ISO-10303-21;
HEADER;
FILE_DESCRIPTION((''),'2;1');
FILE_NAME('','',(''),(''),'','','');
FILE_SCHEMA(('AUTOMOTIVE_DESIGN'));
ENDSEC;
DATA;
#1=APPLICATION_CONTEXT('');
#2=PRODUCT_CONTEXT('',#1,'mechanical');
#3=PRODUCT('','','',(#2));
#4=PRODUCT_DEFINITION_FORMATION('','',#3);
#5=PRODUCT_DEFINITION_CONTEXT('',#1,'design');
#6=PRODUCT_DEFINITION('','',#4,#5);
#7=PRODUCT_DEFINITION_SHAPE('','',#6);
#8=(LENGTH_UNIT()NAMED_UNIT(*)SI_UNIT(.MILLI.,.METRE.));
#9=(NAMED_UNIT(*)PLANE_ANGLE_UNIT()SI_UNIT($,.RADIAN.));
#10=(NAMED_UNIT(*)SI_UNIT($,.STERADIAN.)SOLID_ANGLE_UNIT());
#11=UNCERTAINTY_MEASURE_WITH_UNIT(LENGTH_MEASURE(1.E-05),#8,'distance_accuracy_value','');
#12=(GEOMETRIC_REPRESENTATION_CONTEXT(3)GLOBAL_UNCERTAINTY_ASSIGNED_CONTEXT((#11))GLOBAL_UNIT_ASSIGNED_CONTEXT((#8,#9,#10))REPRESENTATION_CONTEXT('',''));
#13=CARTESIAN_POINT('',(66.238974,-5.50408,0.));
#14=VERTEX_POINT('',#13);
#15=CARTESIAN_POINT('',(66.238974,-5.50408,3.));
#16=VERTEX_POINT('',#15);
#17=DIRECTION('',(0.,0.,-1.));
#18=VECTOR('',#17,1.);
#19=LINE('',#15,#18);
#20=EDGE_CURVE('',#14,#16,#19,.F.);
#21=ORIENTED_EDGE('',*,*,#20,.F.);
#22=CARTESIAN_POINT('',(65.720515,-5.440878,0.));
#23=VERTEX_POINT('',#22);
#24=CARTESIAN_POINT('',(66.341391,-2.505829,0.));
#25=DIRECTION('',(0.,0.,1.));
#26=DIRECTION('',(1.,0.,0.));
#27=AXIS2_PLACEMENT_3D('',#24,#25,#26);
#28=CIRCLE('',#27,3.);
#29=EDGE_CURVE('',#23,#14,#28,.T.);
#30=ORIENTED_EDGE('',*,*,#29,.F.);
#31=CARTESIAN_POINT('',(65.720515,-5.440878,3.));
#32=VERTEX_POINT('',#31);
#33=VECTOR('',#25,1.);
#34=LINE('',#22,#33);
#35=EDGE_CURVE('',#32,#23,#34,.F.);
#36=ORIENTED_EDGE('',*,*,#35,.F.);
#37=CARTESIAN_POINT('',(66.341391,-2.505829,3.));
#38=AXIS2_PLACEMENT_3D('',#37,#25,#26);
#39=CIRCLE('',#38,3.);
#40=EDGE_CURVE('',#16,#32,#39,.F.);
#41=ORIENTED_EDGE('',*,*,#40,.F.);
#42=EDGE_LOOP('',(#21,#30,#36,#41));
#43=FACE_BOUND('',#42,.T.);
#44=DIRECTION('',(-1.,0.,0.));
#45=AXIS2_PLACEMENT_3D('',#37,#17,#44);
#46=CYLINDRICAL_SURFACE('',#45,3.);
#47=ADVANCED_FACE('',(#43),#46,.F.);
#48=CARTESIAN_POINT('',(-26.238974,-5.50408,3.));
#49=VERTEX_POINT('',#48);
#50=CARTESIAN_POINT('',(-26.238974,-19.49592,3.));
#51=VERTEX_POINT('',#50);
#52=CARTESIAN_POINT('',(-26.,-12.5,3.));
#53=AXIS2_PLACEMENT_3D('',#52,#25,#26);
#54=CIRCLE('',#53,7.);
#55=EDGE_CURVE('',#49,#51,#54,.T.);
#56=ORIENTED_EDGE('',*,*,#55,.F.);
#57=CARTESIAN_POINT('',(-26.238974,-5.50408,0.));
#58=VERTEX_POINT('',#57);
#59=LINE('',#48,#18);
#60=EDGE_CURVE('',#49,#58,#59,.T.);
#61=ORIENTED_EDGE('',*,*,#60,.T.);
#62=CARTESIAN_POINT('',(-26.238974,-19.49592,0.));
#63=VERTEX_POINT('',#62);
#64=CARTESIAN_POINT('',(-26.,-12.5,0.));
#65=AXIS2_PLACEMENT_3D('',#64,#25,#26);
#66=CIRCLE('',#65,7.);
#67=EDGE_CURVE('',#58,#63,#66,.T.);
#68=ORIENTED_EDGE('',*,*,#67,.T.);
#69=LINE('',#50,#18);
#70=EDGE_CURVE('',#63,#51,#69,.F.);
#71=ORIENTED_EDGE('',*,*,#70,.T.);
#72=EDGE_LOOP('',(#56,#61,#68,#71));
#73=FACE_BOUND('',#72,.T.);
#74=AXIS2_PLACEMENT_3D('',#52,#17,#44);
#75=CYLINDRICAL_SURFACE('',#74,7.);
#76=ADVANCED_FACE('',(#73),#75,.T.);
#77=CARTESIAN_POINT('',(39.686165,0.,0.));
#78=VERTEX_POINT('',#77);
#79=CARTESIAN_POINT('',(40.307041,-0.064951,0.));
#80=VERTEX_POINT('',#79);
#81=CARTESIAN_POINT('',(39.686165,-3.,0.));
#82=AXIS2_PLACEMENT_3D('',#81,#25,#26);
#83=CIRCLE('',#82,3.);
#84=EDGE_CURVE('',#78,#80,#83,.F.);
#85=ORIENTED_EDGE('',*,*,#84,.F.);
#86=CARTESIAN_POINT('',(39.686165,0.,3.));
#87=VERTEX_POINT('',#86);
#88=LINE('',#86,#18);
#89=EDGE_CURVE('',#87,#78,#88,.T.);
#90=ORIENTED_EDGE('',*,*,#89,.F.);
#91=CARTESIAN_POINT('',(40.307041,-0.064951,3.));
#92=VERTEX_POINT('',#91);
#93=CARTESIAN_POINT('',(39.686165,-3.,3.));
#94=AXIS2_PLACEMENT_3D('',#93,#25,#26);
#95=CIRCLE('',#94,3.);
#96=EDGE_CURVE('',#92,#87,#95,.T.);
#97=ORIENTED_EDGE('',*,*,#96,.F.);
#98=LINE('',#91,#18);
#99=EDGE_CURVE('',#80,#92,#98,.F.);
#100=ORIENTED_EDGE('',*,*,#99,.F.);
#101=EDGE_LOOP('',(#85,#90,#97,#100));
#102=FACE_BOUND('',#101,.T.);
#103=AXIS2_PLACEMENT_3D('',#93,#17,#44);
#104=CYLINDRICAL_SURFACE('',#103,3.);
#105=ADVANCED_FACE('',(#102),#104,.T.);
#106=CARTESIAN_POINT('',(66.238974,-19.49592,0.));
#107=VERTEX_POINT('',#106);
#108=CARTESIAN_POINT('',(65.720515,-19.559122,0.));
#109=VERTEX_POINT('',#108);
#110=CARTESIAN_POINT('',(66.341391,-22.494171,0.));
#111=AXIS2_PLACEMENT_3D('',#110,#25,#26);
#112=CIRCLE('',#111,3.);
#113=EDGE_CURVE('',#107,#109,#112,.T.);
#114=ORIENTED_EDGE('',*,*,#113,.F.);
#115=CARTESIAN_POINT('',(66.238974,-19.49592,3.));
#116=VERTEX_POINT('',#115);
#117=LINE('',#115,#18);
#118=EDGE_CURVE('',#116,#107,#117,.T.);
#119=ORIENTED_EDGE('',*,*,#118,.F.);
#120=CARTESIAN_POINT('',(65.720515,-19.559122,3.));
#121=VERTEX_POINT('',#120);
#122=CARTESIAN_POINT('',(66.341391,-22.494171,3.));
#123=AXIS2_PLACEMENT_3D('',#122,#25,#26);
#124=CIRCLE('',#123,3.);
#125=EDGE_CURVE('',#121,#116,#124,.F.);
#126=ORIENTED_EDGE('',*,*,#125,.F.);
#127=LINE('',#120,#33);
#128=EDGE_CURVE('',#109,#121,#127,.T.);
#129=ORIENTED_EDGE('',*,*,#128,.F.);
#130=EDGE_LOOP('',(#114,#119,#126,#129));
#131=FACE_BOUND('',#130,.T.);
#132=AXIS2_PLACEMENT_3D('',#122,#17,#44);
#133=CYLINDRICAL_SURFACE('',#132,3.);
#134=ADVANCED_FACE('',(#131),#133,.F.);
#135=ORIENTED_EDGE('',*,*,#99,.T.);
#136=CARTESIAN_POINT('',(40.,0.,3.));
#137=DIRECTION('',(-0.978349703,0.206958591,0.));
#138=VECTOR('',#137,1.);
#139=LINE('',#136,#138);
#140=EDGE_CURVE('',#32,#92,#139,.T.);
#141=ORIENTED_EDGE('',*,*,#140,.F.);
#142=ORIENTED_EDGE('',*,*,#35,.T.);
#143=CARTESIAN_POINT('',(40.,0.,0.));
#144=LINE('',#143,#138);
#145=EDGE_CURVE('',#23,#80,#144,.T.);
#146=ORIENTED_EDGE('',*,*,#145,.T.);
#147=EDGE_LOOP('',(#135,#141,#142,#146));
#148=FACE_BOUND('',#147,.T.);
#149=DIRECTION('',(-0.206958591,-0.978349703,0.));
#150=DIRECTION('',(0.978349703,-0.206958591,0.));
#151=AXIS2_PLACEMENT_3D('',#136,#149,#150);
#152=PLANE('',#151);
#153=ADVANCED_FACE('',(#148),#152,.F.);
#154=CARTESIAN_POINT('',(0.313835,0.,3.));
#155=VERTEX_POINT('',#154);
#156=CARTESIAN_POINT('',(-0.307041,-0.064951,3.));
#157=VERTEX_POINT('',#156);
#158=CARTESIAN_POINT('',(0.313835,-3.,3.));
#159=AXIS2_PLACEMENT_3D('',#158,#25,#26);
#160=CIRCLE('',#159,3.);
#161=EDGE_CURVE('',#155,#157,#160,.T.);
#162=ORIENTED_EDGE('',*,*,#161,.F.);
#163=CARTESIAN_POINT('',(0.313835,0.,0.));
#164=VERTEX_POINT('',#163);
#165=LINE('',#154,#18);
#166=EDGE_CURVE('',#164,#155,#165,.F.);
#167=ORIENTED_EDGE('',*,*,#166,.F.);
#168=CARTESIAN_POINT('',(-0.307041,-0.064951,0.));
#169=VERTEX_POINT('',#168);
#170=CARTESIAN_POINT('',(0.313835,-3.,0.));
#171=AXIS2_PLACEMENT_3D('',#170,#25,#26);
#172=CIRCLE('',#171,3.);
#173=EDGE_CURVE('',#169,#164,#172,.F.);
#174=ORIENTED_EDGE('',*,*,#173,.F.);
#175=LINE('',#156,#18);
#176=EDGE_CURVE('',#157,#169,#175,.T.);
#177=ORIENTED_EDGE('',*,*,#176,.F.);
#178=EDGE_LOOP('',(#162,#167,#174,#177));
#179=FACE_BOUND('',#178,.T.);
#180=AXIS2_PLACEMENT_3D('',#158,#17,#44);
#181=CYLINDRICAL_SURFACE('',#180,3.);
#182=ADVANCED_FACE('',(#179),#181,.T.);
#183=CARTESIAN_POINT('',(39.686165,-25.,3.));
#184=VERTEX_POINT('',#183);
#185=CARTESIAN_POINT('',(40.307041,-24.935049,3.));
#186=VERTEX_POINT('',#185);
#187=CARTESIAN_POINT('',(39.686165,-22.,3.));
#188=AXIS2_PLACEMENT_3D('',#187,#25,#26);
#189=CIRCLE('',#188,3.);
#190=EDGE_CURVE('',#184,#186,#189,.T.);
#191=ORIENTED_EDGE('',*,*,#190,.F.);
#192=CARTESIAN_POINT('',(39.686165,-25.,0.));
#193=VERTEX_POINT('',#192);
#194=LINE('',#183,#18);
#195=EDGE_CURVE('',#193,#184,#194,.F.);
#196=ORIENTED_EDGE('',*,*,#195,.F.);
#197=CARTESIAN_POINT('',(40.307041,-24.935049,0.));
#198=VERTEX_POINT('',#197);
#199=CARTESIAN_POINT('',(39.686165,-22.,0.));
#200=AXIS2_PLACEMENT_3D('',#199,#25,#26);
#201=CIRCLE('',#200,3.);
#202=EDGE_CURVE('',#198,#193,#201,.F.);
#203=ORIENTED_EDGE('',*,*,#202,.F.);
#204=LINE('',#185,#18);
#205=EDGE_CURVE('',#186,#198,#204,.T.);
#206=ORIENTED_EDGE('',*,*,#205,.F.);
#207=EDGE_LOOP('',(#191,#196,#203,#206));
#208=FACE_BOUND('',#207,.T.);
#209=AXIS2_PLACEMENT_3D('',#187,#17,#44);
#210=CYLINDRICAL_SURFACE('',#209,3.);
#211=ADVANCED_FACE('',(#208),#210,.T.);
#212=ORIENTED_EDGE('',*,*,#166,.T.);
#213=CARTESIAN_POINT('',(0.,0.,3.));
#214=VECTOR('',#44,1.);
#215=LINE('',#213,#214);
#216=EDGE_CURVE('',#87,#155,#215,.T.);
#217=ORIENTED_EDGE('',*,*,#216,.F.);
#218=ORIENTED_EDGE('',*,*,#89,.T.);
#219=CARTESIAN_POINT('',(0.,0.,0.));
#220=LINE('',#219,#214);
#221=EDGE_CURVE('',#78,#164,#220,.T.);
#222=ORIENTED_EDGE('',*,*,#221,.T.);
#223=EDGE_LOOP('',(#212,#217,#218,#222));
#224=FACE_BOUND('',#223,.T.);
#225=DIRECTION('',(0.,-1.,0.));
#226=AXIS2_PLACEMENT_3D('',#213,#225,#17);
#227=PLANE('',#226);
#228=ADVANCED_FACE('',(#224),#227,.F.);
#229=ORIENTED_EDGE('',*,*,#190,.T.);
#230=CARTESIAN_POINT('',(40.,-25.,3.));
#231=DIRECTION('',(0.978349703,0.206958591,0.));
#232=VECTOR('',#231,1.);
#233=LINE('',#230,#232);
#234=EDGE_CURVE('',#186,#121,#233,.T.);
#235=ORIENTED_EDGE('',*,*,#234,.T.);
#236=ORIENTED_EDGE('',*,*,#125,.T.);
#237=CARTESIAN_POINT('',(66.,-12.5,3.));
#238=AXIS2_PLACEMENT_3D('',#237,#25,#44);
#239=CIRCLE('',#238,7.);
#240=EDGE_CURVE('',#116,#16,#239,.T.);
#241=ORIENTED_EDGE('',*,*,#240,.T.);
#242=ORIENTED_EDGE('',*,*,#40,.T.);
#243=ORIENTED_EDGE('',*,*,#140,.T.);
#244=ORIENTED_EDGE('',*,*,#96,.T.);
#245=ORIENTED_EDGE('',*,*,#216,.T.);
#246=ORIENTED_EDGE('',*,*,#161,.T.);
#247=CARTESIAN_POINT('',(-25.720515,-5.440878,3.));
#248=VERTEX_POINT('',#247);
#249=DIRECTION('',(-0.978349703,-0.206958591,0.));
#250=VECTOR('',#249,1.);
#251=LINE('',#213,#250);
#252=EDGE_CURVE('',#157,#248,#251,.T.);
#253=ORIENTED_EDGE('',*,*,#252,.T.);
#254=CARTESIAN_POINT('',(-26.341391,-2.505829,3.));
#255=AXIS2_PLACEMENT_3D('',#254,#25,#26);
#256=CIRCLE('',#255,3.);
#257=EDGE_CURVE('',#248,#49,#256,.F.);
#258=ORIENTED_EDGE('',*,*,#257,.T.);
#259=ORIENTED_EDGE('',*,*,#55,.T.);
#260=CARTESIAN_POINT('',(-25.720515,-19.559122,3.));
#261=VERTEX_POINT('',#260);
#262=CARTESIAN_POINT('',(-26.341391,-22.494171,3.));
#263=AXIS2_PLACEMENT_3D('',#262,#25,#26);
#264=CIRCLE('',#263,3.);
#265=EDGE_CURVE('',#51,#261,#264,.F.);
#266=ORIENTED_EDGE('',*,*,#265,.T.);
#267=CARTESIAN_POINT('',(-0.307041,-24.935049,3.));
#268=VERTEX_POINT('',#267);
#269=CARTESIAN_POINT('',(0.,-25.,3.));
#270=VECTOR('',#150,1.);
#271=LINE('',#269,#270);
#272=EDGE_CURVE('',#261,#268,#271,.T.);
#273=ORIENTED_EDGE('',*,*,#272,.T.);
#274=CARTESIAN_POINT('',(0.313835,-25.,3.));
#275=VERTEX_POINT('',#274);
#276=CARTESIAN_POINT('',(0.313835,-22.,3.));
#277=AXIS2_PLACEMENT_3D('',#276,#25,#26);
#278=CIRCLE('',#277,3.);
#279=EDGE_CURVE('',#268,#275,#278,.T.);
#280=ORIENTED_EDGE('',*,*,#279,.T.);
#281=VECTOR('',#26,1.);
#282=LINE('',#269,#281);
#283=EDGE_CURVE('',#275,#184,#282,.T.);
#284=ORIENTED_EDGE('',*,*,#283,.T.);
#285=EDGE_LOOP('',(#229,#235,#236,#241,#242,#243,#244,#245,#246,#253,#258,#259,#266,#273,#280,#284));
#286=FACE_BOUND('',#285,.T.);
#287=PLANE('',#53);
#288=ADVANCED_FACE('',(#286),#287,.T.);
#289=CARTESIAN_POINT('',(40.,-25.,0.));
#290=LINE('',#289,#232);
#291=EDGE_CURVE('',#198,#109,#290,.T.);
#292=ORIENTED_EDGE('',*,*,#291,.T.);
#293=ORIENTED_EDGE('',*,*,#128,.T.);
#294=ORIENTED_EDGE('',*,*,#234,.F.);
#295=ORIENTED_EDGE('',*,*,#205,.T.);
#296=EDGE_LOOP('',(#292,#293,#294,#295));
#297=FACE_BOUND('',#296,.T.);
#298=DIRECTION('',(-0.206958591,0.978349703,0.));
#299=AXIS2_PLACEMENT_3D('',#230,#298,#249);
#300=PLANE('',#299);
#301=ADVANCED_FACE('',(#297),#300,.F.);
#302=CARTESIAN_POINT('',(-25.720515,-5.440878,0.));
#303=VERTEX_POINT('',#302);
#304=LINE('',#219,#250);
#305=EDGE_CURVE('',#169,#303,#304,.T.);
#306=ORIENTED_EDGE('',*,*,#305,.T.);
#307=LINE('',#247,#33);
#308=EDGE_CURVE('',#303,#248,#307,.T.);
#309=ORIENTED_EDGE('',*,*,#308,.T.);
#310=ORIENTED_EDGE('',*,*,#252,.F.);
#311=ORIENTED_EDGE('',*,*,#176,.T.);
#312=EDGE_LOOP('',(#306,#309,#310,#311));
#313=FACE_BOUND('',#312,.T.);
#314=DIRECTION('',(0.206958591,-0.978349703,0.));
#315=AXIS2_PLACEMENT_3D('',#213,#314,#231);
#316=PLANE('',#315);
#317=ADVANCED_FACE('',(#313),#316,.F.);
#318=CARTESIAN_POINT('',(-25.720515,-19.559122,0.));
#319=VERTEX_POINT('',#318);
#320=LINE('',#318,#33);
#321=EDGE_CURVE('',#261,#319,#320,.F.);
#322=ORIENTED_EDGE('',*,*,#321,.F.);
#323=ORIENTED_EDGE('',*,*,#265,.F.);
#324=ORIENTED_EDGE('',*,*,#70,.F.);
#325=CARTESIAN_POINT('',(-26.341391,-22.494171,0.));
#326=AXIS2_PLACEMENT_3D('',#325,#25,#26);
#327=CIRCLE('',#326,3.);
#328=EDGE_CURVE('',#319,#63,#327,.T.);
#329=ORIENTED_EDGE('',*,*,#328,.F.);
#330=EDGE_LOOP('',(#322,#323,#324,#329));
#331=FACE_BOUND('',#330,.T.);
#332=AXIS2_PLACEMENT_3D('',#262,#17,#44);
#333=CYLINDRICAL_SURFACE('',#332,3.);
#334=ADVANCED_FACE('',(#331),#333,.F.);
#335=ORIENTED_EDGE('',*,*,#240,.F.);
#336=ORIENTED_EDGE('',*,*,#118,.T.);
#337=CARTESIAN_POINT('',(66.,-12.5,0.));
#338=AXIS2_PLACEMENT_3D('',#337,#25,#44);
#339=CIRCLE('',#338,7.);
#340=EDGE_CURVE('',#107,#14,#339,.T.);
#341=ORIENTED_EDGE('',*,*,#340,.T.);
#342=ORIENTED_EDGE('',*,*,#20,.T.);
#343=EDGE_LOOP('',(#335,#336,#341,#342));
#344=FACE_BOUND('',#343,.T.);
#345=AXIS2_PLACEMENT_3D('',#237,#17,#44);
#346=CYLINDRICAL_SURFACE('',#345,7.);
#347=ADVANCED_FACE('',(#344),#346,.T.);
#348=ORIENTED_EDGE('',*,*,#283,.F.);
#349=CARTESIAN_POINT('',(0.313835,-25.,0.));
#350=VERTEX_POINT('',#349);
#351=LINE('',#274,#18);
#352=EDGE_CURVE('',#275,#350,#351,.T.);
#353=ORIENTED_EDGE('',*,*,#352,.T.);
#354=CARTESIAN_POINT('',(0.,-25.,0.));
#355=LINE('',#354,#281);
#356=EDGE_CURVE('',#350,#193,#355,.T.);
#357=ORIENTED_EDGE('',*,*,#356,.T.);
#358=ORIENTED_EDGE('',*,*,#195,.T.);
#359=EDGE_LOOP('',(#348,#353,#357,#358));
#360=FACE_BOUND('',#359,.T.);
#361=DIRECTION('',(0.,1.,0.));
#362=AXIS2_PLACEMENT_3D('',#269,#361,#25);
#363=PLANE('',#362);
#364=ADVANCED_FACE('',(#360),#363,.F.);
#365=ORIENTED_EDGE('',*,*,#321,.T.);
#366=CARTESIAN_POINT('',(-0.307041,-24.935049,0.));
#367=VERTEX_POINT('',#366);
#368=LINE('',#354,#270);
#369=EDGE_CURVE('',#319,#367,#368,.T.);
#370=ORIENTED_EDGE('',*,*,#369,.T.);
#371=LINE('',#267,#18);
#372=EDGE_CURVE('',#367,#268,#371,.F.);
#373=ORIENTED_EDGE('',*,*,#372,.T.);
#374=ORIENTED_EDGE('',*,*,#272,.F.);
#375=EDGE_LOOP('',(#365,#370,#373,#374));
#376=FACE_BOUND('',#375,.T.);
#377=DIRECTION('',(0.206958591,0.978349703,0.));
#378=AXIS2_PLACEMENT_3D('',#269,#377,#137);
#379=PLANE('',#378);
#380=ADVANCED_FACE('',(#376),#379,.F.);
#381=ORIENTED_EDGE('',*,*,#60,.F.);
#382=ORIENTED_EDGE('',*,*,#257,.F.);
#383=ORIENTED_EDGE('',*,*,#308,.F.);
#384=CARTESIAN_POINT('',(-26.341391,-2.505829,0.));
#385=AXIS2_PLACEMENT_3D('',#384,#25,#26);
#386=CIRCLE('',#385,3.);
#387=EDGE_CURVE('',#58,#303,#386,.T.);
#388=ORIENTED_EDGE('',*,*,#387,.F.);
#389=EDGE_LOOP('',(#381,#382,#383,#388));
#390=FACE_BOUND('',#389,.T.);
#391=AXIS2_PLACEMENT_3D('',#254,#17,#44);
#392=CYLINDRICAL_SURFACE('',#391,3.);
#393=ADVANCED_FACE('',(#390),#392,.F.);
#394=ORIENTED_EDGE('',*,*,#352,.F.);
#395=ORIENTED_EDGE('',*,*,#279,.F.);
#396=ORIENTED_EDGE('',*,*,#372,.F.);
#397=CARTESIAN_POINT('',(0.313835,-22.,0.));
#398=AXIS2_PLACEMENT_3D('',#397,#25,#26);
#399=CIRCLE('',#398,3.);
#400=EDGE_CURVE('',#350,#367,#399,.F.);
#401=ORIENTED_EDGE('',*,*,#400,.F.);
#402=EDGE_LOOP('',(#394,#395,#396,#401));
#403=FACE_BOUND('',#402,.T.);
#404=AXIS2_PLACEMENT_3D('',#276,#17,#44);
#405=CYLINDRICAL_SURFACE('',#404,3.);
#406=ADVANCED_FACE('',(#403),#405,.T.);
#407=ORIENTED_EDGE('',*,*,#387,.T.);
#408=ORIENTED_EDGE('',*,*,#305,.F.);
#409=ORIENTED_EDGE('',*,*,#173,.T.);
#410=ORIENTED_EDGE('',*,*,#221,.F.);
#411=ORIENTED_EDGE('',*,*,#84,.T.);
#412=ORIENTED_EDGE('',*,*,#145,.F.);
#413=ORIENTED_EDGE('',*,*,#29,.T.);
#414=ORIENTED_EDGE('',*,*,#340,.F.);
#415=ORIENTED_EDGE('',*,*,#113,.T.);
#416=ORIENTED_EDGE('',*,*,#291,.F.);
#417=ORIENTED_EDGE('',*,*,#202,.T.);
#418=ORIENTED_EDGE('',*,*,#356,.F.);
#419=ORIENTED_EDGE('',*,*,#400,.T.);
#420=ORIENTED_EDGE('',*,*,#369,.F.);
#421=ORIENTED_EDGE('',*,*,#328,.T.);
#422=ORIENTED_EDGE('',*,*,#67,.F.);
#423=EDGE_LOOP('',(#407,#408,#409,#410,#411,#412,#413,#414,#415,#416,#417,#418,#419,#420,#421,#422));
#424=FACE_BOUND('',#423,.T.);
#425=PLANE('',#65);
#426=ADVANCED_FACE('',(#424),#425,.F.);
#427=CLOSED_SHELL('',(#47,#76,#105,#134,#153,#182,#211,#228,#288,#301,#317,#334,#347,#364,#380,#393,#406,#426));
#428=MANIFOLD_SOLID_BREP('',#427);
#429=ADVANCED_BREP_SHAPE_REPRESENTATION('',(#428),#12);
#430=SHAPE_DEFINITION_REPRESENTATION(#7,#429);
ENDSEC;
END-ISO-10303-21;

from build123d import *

# Parameters (mm, degrees)
BOSS_EXTRUDE1_DEPTH = 3
FILLET1_R           = 3


with BuildPart() as part:
    # Sketch1 → Boss-Extrude1 (new body)
    with BuildSketch(Plane.XY):
        with BuildLine():
            Line((0, 0), (40, 0))
            Line((40, 0), (66, -5.5))
            ThreePointArc((66, -5.5), (73, -12.5), (66, -19.5))
            Line((66, -19.5), (40, -25))
            Line((40, -25), (0, -25))
            Line((0, -25), (-26, -19.5))
            ThreePointArc((-26, -19.5), (-33, -12.5), (-26, -5.5))
            Line((-26, -5.5), (0, 0))
        make_face()
    extrude(amount=BOSS_EXTRUDE1_DEPTH)

    # Fillet1
    fillet1_edges = [part.edges().sort_by_distance(p)[0] for p in [
        (0, 0, 1.5),
        (40, 0, 1.5),
        (66, -5.5, 1.5),
        (66, -19.5, 1.5),
        (40, -25, 1.5),
        (0, -25, 1.5),
        (-26, -19.5, 1.5),
        (-26, -5.5, 1.5),
    ]]
    fillet(fillet1_edges, radius=FILLET1_R)


solid = part.part
